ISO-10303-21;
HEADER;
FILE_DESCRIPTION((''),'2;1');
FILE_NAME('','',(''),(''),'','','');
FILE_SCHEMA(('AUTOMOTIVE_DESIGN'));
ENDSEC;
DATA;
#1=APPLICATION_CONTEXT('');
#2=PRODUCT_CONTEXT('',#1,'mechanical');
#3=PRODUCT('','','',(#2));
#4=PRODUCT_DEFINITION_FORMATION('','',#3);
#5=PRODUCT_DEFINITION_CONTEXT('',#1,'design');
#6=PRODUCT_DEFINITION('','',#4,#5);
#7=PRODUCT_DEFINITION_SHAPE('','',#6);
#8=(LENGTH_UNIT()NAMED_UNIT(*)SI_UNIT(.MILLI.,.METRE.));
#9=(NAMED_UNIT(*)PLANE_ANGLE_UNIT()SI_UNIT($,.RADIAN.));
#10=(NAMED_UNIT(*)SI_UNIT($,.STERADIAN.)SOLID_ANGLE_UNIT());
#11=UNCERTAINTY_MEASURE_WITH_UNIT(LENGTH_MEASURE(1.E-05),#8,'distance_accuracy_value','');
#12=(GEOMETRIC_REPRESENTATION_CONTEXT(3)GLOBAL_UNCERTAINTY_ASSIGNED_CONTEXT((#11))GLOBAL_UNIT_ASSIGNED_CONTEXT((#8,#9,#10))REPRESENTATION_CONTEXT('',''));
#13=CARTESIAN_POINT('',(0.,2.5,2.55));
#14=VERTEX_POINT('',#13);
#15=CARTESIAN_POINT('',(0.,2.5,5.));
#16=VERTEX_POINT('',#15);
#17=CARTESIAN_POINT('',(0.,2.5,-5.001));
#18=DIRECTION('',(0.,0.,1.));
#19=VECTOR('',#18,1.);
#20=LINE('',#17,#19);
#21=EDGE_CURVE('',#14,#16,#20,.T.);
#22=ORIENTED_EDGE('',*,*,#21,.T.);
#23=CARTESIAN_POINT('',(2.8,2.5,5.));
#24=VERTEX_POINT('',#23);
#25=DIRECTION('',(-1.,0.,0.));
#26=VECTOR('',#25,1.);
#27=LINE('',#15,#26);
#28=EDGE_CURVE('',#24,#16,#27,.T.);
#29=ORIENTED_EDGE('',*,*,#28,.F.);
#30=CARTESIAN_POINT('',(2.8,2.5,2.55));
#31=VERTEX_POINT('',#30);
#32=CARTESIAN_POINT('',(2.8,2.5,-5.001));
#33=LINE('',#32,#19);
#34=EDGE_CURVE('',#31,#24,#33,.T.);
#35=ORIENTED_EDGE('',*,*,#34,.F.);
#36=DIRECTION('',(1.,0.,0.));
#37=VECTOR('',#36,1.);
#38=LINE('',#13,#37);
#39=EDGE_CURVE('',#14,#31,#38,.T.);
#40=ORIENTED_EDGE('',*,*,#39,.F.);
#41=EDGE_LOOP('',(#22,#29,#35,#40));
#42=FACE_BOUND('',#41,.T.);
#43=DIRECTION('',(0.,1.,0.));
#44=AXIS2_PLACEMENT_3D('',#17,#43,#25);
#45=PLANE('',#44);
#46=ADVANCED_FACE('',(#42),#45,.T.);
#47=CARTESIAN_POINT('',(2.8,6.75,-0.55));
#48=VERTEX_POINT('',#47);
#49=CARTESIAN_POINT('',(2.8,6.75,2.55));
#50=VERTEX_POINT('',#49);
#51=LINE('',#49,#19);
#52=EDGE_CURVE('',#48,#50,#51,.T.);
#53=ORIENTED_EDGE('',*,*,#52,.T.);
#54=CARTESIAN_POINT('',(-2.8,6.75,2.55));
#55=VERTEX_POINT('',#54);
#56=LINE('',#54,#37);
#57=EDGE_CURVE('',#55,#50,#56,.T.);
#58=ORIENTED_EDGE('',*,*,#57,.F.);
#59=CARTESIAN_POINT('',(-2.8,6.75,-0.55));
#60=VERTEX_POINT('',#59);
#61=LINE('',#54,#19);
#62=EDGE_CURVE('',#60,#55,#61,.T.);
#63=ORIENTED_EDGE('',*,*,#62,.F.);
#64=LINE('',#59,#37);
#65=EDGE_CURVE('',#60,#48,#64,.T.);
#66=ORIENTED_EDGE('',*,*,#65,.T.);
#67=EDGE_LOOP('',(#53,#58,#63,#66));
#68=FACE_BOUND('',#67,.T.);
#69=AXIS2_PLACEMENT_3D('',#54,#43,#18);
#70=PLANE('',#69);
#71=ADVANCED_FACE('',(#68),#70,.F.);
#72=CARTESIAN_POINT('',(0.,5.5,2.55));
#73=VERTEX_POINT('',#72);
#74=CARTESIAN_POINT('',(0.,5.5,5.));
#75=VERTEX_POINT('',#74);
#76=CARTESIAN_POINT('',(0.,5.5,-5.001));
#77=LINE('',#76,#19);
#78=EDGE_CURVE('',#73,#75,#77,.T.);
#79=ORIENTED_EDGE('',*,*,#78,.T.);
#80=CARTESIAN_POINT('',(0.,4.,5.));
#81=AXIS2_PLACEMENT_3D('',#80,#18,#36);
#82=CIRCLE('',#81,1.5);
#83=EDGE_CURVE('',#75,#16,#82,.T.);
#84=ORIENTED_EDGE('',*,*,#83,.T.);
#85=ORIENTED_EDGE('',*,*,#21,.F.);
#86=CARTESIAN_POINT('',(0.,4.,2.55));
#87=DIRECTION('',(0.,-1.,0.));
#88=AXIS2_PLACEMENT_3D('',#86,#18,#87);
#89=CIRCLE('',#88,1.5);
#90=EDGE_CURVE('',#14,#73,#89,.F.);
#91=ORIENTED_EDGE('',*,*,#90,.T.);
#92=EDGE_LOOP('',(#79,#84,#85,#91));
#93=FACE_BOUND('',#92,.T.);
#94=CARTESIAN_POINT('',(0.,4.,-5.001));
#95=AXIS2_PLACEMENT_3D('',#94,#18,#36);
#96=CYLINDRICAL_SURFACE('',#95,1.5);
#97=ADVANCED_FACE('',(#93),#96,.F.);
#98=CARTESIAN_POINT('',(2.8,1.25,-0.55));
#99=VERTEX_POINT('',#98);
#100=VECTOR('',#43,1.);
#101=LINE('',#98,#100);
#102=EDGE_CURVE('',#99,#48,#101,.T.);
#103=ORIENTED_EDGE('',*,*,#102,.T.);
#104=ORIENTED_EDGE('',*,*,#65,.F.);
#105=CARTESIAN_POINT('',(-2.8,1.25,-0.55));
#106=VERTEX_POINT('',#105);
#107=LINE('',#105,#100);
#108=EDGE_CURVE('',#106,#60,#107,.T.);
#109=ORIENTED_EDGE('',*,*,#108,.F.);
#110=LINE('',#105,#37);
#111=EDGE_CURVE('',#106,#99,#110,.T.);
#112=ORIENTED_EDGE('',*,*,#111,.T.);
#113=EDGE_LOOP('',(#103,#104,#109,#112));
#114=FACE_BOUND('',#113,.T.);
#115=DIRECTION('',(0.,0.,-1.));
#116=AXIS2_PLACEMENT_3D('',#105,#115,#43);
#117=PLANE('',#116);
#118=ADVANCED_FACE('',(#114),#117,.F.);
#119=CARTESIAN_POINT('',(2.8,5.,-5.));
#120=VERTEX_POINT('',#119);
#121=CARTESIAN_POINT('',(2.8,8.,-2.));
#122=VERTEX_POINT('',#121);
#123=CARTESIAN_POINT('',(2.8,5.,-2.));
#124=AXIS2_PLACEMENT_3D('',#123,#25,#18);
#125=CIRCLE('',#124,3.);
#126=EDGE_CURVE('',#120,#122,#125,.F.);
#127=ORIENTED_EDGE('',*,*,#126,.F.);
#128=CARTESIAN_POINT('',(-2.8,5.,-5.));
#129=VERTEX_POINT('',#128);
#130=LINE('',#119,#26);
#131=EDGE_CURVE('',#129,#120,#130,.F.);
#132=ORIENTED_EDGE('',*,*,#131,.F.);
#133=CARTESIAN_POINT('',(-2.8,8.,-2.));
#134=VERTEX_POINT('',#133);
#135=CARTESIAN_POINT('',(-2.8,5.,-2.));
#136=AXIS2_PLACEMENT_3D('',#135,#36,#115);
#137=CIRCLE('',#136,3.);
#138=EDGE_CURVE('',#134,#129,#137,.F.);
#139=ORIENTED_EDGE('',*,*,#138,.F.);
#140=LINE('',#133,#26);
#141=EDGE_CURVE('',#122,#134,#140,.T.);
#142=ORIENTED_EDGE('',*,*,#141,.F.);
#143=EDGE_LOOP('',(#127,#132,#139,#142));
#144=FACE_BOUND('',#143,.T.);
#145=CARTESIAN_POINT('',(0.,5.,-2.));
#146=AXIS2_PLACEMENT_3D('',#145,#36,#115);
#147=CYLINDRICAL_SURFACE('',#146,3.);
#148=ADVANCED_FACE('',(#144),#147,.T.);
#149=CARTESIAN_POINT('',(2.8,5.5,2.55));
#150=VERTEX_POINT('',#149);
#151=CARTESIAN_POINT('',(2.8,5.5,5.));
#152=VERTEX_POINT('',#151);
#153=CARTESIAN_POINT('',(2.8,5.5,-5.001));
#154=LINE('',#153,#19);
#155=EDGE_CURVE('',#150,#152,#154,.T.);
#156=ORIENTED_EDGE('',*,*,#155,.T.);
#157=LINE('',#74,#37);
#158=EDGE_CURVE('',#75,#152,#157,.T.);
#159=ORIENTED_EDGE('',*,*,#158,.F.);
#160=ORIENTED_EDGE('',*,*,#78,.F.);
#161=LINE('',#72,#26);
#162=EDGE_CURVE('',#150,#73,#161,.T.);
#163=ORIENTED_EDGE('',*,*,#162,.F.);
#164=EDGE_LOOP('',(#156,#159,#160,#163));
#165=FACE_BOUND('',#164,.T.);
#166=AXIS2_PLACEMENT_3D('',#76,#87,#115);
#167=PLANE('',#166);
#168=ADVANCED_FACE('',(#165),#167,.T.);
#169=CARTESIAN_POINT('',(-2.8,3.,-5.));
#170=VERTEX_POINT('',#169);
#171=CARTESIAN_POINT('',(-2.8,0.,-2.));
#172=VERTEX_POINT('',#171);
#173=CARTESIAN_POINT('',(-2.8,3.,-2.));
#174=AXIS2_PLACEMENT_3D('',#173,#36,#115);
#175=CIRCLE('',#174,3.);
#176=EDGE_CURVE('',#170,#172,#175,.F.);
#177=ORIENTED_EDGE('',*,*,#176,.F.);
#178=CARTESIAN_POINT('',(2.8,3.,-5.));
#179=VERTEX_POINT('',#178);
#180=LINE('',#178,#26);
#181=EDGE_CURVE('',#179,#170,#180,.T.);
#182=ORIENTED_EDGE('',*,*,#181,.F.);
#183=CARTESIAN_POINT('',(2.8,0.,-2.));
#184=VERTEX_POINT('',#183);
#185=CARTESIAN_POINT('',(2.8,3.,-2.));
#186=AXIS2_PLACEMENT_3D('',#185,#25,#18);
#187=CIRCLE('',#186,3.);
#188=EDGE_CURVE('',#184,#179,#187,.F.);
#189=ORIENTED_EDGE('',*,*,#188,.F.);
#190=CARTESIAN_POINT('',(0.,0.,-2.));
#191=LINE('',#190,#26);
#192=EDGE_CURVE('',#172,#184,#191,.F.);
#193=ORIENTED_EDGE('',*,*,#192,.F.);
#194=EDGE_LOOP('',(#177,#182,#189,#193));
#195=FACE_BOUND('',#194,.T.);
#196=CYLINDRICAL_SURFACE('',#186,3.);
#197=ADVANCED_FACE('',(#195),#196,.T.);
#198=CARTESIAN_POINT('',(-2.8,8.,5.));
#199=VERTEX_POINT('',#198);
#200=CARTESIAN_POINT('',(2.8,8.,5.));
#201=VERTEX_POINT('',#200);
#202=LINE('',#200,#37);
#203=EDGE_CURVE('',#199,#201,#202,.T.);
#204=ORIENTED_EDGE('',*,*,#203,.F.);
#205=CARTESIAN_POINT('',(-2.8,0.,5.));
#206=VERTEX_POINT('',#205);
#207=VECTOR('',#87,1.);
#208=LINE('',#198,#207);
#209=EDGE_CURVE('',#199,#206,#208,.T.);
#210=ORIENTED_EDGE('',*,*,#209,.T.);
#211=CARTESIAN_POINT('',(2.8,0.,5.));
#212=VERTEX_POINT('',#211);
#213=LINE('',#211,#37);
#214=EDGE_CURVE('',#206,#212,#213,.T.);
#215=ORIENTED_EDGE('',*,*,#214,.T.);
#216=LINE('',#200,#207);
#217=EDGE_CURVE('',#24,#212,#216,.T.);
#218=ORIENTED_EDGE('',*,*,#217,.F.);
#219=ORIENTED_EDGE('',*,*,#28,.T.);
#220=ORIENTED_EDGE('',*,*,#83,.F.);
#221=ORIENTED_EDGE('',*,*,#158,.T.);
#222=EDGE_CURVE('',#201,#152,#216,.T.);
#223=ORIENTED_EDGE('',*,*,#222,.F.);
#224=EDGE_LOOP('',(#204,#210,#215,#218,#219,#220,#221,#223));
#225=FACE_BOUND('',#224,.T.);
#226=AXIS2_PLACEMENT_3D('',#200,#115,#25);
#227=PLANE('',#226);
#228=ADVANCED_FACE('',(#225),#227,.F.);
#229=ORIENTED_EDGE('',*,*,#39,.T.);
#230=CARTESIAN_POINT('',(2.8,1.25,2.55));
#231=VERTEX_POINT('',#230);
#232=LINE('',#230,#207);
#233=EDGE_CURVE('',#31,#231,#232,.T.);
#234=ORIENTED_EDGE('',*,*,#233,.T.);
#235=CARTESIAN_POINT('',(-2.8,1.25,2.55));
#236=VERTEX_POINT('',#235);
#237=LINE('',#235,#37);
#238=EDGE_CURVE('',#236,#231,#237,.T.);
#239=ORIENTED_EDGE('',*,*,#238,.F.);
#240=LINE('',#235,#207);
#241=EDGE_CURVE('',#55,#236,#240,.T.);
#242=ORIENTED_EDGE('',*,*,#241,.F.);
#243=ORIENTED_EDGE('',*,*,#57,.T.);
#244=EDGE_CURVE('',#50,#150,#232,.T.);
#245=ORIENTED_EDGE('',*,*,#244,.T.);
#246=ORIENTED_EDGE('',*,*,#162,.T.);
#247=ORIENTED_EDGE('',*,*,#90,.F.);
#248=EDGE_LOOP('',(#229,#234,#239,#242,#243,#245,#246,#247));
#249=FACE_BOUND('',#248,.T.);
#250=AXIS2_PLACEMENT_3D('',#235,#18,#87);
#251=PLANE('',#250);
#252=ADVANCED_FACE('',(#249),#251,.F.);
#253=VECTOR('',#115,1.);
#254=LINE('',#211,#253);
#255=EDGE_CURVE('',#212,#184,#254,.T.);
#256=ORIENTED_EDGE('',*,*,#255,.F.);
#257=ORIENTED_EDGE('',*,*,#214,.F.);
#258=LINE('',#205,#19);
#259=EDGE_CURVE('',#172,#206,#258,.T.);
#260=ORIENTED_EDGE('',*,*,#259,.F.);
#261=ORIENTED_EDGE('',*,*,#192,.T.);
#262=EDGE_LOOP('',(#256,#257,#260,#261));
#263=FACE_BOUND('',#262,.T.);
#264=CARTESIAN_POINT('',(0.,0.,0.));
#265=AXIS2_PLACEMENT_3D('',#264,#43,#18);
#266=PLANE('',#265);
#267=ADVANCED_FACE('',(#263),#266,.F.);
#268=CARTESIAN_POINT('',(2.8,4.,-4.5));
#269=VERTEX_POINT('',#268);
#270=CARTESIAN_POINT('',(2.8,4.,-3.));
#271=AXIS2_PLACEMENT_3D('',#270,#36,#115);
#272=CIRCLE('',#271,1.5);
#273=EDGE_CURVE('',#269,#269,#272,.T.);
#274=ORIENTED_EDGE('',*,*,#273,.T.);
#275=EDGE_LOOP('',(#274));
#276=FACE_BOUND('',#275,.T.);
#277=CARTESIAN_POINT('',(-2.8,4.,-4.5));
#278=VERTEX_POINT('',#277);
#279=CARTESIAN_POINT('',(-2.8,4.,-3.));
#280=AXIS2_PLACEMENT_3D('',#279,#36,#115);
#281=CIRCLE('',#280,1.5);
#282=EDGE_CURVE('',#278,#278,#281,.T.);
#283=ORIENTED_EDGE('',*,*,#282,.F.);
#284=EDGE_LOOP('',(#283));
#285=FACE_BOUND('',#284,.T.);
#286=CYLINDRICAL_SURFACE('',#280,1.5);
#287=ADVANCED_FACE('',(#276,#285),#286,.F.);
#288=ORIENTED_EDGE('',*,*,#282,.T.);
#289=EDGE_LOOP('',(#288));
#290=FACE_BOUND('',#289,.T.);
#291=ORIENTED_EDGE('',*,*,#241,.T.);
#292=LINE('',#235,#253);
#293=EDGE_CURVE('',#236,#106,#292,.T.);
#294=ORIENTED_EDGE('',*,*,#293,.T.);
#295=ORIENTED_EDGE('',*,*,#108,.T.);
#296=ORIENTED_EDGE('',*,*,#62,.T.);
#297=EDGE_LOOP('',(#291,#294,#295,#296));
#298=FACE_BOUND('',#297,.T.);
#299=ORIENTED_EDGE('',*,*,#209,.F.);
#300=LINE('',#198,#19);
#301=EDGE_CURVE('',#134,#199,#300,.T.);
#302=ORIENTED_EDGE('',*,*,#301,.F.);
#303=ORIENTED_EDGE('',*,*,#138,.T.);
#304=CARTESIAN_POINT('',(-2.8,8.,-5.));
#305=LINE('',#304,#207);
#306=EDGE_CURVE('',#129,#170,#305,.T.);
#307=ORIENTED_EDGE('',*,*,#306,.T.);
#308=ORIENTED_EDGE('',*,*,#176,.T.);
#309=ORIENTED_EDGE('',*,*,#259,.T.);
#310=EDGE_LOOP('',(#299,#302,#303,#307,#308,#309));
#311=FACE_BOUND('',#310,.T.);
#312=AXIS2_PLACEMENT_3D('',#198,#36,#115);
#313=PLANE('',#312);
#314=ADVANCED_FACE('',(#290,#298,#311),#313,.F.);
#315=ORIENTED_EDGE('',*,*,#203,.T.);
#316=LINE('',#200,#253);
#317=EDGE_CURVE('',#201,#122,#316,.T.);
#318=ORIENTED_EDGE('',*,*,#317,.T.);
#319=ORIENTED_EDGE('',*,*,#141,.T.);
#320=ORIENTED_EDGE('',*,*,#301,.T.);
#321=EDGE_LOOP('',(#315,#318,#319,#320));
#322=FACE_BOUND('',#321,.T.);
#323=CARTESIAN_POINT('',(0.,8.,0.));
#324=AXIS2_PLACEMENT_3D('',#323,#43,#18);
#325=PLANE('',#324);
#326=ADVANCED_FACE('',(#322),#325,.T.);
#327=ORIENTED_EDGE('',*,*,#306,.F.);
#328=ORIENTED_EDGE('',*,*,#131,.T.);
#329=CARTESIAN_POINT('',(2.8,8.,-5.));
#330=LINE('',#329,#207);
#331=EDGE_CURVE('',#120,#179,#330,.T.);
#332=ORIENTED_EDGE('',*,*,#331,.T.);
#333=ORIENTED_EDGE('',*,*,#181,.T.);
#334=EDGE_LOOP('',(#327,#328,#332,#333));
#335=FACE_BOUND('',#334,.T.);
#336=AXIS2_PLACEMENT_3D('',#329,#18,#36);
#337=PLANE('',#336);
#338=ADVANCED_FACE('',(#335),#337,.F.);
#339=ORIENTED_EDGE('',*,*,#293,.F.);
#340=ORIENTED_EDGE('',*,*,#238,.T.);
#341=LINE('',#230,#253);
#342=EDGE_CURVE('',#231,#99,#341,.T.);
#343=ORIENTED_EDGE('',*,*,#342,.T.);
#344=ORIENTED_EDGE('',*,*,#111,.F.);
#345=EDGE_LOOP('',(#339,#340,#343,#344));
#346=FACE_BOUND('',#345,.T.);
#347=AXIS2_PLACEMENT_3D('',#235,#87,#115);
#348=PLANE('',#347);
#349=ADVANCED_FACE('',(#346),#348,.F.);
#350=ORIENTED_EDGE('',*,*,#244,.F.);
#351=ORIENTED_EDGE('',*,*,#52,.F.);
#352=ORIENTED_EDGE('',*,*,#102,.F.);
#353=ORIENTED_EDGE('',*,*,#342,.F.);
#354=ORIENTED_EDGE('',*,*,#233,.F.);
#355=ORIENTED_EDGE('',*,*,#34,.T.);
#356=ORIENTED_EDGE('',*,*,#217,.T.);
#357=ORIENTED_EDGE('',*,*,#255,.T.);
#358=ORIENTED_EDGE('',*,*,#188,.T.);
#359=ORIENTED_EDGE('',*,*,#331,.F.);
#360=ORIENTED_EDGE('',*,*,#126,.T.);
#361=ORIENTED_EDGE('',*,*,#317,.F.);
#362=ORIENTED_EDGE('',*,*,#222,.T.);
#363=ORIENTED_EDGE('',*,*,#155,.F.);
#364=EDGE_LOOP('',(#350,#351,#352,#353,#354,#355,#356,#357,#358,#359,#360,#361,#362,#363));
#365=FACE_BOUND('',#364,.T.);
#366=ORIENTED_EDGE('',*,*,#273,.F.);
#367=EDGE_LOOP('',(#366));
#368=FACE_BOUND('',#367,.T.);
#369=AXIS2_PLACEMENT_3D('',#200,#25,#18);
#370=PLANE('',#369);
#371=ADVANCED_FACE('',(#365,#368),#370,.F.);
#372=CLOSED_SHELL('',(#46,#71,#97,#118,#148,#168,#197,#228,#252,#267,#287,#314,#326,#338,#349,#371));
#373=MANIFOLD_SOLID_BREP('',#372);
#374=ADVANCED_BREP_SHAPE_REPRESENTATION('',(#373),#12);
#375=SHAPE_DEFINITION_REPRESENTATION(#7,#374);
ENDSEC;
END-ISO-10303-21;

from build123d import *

# Parameters (mm, degrees)
SKETCH_1_W          = 5.6
SKETCH_1_H          = 10
EXTRUDE_1_DEPTH     = 8
SKETCH_2_W          = 3.1
SKETCH_2_H          = 5.5
CUT_EXTRUDE_1_DEPTH = 11.970870522
CUT_EXTRUDE_2_REACH = 15.109
SKETCH_3_R          = 1.5
SKETCH_4_R          = 1.5
CUT_EXTRUDE_3_DEPTH = 11.970870522
FILLET_1_R          = 3


with BuildPart() as part:
    # 草图1 → 凸台-拉伸1 (new body)
    with BuildSketch(Plane(origin=(0, 0, 0), x_dir=(1, 0, 0), z_dir=(0, 1, 0))):
        Rectangle(SKETCH_1_W, SKETCH_1_H)
    extrude(amount=EXTRUDE_1_DEPTH)

    # 草图2 → 切除-拉伸1 (cut, through all)
    with BuildSketch(Plane(origin=(2.8, 0, 0), x_dir=(0, 0, -1), z_dir=(1, 0, 0))):
        with Locations((-1, 4)):
            Rectangle(SKETCH_2_W, SKETCH_2_H)
    extrude(amount=-CUT_EXTRUDE_1_DEPTH, mode=Mode.SUBTRACT)

    # 草图3 → 切除-拉伸2 (cut, up to next)
    with BuildSketch(Plane.XY.offset(5), mode=Mode.PRIVATE) as cut_extrude_2_sk1:
        with Locations((0, 4)):
            Circle(SKETCH_3_R)
    cut_extrude_2_tool1 = extrude(cut_extrude_2_sk1.sketch, amount=-CUT_EXTRUDE_2_REACH, mode=Mode.PRIVATE) & part.part
    # 草图3 → 切除-拉伸2 (cut, up to next)
    with BuildSketch(Plane.XY.offset(5), mode=Mode.PRIVATE) as cut_extrude_2_sk2:
        with BuildLine():
            Line((2.8, 5.5), (0, 5.5))
            ThreePointArc((0, 5.5), (1.060660172, 5.060660172), (1.5, 4))
            ThreePointArc((1.5, 4), (1.060660172, 2.939339828), (0, 2.5))
            Line((0, 2.5), (2.8, 2.5))
            Line((2.8, 2.5), (2.8, 5.5))
        make_face()
    cut_extrude_2_tool2 = extrude(cut_extrude_2_sk2.sketch, amount=-CUT_EXTRUDE_2_REACH, mode=Mode.PRIVATE) & part.part
    add(cut_extrude_2_tool1.solids().sort_by_distance((0, 4, 5))[0], mode=Mode.SUBTRACT)
    add(cut_extrude_2_tool2.solids().sort_by_distance((1.954494, 4, 5))[0], mode=Mode.SUBTRACT)

    # 草图4 → 切除-拉伸3 (cut, through all)
    with BuildSketch(Plane(origin=(2.8, 0, 0), x_dir=(0, 0, -1), z_dir=(1, 0, 0))):
        with Locations((3, 4)):
            Circle(SKETCH_4_R)
    extrude(amount=-CUT_EXTRUDE_3_DEPTH, mode=Mode.SUBTRACT)

    # 圆角1
    fillet_1_edges = [part.edges().sort_by_distance(p)[0] for p in [
        (0, 8, -5),
        (0, 0, -5),
    ]]
    fillet(fillet_1_edges, radius=FILLET_1_R)


solid = part.part
